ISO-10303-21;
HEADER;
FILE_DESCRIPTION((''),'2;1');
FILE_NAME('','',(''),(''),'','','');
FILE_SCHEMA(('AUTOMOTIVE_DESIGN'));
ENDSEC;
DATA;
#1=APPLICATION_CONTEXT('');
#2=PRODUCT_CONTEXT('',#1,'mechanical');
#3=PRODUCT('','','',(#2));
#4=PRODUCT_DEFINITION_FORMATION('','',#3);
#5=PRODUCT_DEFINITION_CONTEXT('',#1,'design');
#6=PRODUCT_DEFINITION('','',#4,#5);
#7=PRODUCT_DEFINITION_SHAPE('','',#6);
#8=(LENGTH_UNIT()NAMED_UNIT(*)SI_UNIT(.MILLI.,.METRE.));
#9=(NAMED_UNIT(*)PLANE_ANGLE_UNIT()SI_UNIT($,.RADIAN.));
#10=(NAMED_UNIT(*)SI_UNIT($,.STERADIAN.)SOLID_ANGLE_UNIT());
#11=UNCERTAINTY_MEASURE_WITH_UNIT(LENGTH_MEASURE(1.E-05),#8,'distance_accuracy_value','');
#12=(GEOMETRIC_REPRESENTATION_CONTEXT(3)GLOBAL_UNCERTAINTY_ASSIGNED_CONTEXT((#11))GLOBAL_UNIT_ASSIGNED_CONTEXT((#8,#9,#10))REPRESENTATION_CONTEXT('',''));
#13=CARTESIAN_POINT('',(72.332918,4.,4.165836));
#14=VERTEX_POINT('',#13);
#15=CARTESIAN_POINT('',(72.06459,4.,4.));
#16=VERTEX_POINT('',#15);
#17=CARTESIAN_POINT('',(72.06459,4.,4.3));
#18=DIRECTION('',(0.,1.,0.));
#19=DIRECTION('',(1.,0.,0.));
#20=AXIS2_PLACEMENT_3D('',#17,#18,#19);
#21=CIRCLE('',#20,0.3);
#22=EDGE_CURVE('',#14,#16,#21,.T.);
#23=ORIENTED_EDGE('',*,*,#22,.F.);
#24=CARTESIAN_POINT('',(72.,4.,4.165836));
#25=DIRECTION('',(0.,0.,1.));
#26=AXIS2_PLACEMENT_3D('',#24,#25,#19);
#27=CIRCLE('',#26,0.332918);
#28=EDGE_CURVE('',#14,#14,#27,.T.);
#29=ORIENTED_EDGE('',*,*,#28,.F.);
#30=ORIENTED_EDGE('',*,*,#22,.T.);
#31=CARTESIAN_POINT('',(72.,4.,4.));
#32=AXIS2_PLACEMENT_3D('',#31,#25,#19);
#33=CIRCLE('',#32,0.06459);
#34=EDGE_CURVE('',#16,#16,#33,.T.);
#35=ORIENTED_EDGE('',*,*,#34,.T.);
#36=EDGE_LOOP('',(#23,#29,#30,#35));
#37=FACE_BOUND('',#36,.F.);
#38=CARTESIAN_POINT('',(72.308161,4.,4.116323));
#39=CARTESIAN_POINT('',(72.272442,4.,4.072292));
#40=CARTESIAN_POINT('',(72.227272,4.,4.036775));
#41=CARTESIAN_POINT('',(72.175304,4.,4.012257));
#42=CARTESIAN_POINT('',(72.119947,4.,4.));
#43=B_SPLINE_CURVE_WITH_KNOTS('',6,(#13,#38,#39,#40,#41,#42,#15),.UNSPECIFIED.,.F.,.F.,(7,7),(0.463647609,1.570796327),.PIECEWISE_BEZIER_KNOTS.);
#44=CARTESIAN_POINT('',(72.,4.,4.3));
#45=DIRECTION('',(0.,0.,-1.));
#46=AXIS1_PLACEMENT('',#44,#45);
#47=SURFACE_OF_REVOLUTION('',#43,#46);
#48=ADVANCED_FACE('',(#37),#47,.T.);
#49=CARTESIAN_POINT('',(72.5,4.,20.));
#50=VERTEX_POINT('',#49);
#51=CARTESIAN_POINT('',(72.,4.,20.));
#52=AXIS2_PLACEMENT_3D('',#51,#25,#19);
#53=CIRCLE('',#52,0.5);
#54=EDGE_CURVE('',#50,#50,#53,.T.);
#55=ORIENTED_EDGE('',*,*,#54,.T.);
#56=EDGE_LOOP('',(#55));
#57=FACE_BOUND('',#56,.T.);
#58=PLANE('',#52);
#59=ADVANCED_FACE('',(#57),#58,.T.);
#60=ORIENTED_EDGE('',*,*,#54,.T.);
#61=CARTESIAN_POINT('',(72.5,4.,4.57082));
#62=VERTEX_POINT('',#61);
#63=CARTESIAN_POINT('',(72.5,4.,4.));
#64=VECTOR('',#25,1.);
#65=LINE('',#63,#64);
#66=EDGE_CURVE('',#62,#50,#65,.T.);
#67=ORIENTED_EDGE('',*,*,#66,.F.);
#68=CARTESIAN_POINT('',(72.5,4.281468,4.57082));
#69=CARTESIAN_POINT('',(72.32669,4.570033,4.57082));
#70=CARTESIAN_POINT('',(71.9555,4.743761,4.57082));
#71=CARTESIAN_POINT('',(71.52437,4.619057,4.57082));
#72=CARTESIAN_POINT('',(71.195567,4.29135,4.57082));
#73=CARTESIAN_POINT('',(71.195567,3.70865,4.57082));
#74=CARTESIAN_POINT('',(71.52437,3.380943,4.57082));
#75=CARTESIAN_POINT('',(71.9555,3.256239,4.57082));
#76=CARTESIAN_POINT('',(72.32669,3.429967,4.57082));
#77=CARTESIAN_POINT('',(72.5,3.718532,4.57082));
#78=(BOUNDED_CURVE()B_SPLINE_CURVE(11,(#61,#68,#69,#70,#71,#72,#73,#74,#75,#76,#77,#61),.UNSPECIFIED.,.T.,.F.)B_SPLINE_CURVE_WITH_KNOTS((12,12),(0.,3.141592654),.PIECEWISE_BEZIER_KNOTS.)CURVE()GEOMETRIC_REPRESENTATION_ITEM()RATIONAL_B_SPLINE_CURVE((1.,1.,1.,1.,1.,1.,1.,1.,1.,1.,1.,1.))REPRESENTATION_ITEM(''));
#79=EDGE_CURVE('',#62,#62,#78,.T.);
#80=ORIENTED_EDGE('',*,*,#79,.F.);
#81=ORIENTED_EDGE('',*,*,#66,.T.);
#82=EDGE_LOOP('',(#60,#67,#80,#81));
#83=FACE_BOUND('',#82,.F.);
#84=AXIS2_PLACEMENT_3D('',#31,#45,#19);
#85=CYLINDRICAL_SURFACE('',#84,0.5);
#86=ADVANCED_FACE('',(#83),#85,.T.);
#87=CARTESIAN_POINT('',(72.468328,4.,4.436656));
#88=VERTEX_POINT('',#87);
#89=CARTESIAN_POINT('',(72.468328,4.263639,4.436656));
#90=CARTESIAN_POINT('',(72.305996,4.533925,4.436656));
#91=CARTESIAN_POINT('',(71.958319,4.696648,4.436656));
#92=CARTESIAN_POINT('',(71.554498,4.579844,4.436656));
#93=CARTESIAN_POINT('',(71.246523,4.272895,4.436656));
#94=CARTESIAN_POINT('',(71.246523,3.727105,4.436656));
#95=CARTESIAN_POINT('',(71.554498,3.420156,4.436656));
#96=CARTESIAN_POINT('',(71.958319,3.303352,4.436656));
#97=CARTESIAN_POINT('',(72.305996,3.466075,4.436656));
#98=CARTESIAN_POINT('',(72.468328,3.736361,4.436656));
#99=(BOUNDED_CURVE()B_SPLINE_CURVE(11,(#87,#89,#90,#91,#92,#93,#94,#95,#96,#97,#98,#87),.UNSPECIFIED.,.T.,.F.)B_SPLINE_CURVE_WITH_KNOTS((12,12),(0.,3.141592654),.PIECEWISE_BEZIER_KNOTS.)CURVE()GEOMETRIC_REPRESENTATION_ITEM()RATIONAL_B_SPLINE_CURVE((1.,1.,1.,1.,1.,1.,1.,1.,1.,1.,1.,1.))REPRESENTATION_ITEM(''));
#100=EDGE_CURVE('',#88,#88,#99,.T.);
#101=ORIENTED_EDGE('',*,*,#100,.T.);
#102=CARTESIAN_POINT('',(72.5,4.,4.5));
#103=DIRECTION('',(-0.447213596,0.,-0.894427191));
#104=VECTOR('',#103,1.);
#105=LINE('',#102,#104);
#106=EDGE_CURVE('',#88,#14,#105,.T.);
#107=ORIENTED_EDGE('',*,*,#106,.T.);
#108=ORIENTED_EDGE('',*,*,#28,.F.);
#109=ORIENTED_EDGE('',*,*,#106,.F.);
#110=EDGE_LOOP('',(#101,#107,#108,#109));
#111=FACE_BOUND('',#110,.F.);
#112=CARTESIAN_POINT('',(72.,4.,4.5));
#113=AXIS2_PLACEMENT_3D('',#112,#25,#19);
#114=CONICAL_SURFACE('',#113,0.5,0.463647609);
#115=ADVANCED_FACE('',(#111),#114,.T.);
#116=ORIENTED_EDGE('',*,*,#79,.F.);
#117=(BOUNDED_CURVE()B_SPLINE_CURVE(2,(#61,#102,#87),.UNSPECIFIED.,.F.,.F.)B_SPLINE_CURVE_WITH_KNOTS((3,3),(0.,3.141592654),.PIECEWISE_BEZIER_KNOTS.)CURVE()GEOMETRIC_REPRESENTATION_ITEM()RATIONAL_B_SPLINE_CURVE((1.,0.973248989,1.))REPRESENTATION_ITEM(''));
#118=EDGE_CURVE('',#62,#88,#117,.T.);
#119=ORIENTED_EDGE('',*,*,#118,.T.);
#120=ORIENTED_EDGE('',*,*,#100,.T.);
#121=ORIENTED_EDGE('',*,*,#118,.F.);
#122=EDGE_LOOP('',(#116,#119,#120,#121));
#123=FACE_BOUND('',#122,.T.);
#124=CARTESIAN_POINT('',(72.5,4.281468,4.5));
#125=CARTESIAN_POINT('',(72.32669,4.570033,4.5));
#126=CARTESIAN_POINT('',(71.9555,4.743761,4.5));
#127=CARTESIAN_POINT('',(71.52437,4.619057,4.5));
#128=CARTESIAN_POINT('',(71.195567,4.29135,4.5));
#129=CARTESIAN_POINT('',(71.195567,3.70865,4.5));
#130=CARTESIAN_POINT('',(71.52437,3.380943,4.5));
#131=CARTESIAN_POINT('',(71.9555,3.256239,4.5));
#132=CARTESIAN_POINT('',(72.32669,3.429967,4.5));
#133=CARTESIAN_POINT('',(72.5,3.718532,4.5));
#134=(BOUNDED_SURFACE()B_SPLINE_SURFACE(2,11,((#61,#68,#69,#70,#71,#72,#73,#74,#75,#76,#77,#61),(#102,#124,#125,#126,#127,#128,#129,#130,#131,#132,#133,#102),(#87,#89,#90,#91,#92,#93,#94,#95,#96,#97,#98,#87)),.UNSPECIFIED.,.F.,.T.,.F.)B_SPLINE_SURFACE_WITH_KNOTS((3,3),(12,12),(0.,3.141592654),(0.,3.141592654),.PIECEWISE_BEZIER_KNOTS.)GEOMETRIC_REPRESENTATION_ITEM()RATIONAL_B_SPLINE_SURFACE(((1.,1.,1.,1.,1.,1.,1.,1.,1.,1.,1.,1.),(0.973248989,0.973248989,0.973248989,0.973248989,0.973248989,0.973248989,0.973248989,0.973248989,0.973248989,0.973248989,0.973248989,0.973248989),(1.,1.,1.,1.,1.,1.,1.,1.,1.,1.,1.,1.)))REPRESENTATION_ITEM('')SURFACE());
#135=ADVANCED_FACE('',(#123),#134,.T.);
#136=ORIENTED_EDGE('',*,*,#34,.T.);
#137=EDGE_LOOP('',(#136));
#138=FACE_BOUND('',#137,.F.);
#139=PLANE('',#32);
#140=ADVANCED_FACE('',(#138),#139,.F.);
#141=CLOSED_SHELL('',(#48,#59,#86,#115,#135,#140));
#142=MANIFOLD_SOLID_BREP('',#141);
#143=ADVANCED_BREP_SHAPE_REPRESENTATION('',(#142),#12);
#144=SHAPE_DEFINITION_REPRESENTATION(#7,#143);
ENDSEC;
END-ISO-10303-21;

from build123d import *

# Parameters (mm, degrees)
SKETCH039_R      = 0.5
PAD005_DEPTH     = 16
CHAMFER009_SIZE2 = 0.25
CHAMFER009_SIZE  = 0.5
FILLET007_R      = 0.3


with BuildPart() as part:
    # Sketch039 → Pad005 (new body)
    with BuildSketch(Plane.XY):
        Circle(SKETCH039_R)
    extrude(amount=PAD005_DEPTH)

    # Chamfer009
    chamfer009_edges = [part.edges().sort_by_distance(p)[0] for p in [
        (-0.5, 0, 0),
    ]]
    chamfer009_side = part.faces().sort_by_distance((-0.5, 0, 8))[0]
    chamfer(chamfer009_edges, length=CHAMFER009_SIZE, length2=CHAMFER009_SIZE2, reference=chamfer009_side)

    # Fillet007
    fillet007_edges = [part.edges().sort_by_distance(p)[0] for p in [
        (-0.5, 0, 0.5),
        (-0.25, 0, 0),
    ]]
    fillet(fillet007_edges, radius=FILLET007_R)


with BuildPart() as part_1:
    # Body003 placement: moved
    add(part.part.moved(Location((72, -4, 4))))


with BuildPart() as part_2:
    # Clone placement: moved
    add(part_1.part.moved(Location((-72, 4, -4))))


with BuildPart() as part_3:
    # Body004 placement: moved
    add(part_2.part.moved(Location((72, 4, 4))))


solid = part_3.part
